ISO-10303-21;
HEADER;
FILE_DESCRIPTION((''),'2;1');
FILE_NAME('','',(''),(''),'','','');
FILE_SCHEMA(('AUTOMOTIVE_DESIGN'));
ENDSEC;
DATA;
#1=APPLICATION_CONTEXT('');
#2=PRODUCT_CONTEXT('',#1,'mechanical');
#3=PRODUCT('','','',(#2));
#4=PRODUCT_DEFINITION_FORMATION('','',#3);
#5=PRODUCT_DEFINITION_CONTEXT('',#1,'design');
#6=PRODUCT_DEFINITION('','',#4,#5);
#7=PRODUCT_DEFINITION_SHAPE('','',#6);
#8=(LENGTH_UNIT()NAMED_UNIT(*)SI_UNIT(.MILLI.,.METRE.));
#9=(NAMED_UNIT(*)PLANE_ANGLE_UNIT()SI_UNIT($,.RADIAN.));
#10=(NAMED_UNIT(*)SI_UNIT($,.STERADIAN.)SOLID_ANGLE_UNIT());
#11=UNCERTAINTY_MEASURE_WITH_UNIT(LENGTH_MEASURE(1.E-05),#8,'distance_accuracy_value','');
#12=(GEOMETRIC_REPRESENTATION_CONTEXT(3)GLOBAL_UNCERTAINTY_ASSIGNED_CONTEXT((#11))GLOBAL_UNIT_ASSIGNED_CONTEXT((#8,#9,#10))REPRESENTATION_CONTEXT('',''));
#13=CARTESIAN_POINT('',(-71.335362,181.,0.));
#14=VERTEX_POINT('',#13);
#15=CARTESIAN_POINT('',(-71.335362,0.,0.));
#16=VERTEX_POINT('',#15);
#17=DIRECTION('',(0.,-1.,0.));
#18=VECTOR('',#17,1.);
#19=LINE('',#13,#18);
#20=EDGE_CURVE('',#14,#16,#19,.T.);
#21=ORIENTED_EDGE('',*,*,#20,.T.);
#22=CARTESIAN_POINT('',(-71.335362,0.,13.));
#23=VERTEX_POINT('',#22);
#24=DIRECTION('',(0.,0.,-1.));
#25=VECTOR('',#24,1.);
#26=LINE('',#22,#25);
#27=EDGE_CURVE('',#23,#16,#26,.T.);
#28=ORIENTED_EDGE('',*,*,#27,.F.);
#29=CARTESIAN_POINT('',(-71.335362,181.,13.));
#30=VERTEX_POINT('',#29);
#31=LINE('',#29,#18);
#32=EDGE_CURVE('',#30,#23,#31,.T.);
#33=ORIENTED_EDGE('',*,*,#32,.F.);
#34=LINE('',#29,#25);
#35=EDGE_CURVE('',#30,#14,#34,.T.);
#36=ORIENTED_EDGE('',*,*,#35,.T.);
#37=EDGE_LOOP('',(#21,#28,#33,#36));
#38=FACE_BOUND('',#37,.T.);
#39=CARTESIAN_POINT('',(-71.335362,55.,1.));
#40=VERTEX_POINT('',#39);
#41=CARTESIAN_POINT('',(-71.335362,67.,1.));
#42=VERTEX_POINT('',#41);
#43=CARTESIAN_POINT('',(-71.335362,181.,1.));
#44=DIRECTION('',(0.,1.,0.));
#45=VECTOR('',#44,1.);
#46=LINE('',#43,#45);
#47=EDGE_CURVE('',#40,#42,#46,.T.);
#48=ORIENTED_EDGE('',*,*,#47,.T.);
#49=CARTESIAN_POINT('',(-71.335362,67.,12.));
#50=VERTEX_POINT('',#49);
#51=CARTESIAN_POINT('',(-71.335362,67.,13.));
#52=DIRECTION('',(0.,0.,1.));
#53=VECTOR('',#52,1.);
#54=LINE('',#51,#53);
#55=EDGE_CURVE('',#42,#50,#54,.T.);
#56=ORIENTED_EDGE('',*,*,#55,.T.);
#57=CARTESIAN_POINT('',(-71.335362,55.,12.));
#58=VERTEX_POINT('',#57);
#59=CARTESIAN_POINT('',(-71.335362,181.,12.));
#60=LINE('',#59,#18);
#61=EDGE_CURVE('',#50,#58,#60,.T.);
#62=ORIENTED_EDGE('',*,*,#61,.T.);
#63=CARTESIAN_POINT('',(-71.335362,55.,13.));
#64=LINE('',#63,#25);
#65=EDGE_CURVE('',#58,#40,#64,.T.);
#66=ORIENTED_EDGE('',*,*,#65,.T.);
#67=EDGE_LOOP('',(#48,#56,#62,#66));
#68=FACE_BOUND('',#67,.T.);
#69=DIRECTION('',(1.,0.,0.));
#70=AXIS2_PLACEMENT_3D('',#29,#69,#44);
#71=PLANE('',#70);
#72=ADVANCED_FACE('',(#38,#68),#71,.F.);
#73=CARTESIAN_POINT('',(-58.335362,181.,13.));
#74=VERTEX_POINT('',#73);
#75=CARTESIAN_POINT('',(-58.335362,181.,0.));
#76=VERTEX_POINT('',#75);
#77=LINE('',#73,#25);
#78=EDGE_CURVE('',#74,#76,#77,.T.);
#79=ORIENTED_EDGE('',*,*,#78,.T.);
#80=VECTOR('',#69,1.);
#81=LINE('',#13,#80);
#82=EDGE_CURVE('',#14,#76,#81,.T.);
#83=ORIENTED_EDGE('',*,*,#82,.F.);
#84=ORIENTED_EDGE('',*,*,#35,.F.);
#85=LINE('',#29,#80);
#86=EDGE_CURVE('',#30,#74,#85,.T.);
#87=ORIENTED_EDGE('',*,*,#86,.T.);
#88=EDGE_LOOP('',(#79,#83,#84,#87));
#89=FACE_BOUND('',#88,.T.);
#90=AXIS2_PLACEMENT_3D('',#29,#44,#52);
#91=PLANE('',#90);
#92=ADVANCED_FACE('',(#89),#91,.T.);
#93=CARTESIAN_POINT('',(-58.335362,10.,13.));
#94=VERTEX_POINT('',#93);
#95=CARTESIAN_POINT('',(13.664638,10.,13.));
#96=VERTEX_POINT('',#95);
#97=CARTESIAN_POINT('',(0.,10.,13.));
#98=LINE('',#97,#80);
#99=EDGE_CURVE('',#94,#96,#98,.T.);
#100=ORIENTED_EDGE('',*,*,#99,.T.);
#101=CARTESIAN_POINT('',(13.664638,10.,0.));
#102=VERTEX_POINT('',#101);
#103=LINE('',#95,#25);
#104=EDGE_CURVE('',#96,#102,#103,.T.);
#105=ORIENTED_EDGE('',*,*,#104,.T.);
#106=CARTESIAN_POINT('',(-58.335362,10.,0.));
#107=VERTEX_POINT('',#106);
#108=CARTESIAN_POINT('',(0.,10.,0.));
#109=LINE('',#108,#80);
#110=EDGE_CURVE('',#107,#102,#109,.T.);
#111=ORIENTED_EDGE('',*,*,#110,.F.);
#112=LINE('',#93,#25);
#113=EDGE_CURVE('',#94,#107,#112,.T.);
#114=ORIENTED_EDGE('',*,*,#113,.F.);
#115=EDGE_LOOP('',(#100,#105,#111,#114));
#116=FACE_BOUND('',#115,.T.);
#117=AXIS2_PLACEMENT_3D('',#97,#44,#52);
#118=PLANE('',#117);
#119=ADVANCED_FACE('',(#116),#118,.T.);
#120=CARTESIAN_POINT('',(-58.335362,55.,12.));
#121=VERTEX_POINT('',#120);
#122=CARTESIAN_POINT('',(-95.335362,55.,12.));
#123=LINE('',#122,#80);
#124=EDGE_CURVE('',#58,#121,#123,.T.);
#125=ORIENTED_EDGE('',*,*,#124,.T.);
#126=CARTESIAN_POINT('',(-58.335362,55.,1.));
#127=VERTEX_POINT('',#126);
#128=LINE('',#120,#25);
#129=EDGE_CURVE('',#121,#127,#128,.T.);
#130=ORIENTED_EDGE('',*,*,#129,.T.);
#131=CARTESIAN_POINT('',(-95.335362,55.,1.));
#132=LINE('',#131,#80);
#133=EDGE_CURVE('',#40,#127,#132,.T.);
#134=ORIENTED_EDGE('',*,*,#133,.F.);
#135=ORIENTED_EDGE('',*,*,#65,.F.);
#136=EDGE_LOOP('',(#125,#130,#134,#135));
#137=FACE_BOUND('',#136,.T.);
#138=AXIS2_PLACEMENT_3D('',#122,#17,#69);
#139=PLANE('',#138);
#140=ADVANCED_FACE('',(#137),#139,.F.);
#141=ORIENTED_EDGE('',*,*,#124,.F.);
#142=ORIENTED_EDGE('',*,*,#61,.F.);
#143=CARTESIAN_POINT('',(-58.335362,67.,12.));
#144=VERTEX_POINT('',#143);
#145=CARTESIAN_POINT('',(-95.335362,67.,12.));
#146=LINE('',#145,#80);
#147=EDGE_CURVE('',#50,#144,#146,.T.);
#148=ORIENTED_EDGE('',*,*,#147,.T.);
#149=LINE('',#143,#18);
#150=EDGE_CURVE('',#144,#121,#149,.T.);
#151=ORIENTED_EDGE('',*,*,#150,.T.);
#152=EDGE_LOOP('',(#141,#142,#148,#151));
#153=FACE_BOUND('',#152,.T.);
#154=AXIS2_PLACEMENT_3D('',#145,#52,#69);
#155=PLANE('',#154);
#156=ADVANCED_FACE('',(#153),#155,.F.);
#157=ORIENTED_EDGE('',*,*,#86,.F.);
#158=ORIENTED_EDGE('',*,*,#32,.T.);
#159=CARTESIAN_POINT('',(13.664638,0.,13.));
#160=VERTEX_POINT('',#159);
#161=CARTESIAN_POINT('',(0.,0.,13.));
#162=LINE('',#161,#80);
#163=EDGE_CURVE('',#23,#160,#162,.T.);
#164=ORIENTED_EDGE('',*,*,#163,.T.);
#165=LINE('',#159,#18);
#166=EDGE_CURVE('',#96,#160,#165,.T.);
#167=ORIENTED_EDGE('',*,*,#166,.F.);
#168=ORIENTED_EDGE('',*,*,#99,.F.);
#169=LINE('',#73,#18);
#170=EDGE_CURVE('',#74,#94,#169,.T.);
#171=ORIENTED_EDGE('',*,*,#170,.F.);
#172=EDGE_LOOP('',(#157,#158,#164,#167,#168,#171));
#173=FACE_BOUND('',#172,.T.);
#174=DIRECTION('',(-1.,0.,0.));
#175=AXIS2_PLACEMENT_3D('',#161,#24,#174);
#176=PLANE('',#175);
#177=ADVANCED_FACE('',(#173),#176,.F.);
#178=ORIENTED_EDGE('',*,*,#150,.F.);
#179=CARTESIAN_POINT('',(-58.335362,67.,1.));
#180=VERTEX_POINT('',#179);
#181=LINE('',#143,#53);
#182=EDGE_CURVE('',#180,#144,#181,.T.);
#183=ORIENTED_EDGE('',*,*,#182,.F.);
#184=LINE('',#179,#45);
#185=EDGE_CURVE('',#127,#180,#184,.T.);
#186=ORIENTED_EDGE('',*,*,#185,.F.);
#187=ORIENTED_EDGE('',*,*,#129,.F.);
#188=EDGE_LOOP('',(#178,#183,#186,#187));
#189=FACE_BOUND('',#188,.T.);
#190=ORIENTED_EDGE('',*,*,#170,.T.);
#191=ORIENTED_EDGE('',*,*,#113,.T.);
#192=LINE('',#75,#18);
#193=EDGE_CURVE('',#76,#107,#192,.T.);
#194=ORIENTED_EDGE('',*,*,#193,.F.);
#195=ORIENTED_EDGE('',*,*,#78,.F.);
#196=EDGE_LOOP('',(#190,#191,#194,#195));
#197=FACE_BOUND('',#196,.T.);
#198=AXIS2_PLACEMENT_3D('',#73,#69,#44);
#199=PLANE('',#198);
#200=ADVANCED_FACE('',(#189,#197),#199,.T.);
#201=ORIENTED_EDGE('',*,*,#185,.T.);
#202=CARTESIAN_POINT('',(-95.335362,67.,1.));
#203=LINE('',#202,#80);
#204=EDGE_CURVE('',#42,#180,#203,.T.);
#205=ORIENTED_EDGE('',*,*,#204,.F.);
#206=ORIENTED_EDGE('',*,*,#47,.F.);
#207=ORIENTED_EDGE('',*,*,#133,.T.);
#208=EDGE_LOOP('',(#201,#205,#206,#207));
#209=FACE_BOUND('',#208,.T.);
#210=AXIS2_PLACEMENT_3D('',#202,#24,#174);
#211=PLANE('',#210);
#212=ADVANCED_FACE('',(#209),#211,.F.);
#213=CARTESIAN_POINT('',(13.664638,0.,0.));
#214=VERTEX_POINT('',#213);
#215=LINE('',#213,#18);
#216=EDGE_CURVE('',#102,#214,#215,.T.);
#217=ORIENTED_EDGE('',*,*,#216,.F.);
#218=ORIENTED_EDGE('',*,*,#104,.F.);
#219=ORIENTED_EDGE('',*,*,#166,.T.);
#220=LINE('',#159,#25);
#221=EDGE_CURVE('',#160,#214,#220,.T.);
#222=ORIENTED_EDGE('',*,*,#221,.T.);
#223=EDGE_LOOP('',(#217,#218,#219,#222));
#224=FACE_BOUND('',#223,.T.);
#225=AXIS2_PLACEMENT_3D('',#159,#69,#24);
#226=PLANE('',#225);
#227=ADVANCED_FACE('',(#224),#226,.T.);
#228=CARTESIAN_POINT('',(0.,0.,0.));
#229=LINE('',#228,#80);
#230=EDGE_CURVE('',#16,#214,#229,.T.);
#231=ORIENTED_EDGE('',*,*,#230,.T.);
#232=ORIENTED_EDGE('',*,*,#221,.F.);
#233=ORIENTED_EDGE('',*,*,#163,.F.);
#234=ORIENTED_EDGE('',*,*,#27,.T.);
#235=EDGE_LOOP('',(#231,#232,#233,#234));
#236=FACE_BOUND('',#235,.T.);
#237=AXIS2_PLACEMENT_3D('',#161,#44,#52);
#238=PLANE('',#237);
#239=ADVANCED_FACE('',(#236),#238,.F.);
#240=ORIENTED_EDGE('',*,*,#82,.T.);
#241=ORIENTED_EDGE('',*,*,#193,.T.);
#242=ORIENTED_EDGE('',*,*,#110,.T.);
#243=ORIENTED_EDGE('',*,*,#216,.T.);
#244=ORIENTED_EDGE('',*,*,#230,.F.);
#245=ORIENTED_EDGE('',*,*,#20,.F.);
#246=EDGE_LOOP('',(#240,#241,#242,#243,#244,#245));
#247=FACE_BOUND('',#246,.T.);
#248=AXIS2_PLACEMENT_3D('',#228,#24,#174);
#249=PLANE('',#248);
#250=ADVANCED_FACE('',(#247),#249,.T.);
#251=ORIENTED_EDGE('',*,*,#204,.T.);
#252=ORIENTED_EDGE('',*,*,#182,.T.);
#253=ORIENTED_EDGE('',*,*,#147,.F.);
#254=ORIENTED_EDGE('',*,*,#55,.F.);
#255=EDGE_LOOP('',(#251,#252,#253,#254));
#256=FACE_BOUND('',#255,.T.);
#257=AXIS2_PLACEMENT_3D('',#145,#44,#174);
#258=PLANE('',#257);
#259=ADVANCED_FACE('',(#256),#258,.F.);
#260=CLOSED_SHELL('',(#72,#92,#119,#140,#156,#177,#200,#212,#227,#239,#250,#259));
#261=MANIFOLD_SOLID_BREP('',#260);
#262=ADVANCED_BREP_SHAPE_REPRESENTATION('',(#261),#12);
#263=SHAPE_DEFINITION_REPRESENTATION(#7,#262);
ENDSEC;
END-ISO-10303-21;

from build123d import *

# Parameters (mm, degrees)
ESQUISSE2_W             = 13
ESQUISSE2_H             = 171
BOSS_EXTRU_1_DEPTH      = 13
BOSS_EXTRU_2_DEPTH      = 13
ESQUISSE4_W             = 11
ESQUISSE4_H             = 12
ENL_V_MAT_EXTRU_2_DEPTH = 37


with BuildPart() as part:
    # Esquisse2 → Boss.-Extru.1 (new body)
    with BuildSketch(Plane.XY):
        with Locations((-64.835362299, 95.5)):
            Rectangle(ESQUISSE2_W, ESQUISSE2_H)
    extrude(amount=BOSS_EXTRU_1_DEPTH)

    # Esquisse2<3> → Boss.-Extru.2 (add)
    with BuildSketch(Plane.XY):
        Polygon((-58.335362299, 10), (-71.335362299, 10), (-71.335362299, 0), (13.664637701, 0), (13.664637701, 10), align=None)
    extrude(amount=BOSS_EXTRU_2_DEPTH)

    # Esquisse4 → Enlèv. mat.-Extru.2 (cut)
    with BuildSketch(Plane(origin=(-58.335362299, 0, 0), x_dir=(0, 0, -1), z_dir=(1, 0, 0))):
        with Locations((-6.5, 61)):
            Rectangle(ESQUISSE4_W, ESQUISSE4_H)
    extrude(amount=-ENL_V_MAT_EXTRU_2_DEPTH, mode=Mode.SUBTRACT)


solid = part.part
